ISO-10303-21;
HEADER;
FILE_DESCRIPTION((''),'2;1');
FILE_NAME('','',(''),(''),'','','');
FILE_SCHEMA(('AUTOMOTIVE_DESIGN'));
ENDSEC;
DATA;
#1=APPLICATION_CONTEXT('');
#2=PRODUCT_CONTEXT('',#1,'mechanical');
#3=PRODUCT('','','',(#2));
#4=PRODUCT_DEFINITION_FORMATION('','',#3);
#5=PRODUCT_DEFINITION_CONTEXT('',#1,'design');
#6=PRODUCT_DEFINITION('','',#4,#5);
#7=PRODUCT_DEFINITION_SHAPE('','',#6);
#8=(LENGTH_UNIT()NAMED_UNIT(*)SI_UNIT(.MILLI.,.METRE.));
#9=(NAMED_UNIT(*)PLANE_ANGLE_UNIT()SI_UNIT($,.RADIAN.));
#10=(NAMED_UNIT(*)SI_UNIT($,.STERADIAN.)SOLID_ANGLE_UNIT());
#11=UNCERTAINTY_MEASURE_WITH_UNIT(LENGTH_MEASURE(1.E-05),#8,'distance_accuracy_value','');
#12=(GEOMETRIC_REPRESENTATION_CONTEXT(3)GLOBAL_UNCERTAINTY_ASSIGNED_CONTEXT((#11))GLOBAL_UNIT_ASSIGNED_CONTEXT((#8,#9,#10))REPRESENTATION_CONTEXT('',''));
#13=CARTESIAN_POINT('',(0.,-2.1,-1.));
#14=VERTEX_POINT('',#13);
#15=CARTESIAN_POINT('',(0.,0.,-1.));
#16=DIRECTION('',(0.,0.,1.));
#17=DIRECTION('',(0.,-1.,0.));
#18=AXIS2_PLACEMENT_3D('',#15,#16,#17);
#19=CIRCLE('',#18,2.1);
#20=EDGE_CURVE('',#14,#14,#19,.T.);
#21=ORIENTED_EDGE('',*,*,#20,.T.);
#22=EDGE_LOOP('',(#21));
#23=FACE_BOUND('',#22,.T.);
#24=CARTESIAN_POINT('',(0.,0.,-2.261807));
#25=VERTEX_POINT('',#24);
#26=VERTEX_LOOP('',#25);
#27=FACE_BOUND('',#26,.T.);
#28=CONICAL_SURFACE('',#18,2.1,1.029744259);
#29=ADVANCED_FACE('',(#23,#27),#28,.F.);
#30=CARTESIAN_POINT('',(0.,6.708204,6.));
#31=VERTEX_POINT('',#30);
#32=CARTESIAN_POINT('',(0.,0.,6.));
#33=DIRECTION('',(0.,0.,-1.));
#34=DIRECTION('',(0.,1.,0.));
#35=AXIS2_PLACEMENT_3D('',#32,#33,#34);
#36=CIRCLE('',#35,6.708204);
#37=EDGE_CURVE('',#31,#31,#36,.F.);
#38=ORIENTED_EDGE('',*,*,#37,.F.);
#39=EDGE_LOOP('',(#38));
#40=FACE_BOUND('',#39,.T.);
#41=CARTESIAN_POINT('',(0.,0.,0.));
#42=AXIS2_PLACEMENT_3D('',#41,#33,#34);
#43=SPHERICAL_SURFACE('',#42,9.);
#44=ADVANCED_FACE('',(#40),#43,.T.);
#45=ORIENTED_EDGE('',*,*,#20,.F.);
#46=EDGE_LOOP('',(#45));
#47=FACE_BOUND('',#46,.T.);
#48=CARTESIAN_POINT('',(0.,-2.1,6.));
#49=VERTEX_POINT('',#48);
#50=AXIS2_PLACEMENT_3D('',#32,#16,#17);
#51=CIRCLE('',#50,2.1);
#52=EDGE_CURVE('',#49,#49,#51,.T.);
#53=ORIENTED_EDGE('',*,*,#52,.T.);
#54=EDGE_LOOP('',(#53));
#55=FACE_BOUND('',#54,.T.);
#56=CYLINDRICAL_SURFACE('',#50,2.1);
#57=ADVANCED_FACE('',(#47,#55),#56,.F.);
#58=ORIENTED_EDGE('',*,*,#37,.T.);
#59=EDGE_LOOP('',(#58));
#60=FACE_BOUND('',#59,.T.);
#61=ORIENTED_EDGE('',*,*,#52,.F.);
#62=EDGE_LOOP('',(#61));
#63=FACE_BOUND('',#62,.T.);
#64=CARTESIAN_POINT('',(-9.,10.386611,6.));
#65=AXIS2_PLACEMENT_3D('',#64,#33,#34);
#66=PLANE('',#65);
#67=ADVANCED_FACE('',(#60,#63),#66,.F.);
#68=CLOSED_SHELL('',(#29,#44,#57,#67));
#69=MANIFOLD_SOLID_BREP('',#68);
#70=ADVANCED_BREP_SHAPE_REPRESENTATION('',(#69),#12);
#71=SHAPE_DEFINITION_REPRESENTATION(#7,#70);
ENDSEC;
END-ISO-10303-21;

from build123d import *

# Parameters (mm, degrees)
CUT_EXTRUDE_1_DEPTH      = 16.588457268
CUT_EXTRUDE_1_DEPTH_BACK = 16.588457268
SKETCH_2_W               = 8.784286405
SKETCH_2_H               = 20.773221584
HOLE_WIZARD_M5_1_D       = 4.2
HOLE_WIZARD_M5_1_DEPTH   = 7
HOLE_WIZARD_M5_1_TIP     = 1.2618073


with BuildPart() as part:
    # 草图1 → 旋转1 (revolve)
    with BuildSketch(Plane(origin=(0, 0, 0), x_dir=(0, 0, -1), z_dir=(1, 0, 0))):
        with BuildLine():
            Line((0, 9), (0, -9))
            ThreePointArc((0, -9), (-9, 0), (0, 9))
        make_face()
    revolve(axis=Axis((0, 9, 0), (0, -1, 0)))

    # 草图2 → 切除-拉伸1 (cut, two sides: drawn at the far end of the back side and taken through both)
    with BuildSketch(Plane(origin=(0, 0, 0), x_dir=(0, 0, -1), z_dir=(1, 0, 0)).offset(-CUT_EXTRUDE_1_DEPTH_BACK)):
        with Locations((-10.392143203, 0)):
            Rectangle(SKETCH_2_W, SKETCH_2_H)
    extrude(amount=CUT_EXTRUDE_1_DEPTH + CUT_EXTRUDE_1_DEPTH_BACK, mode=Mode.SUBTRACT)

    # M5 螺纹孔1
    with Locations(Plane(origin=(0, 0, 6), x_dir=(0, 1, 0), z_dir=(0, 0, 1))):
        with Locations((0, 0)):
            Hole(HOLE_WIZARD_M5_1_D / 2, depth=HOLE_WIZARD_M5_1_DEPTH)
            with Locations((0, 0, -(HOLE_WIZARD_M5_1_DEPTH + HOLE_WIZARD_M5_1_TIP / 2))):  # 118° drill point
                Cone(0, HOLE_WIZARD_M5_1_D / 2, HOLE_WIZARD_M5_1_TIP, mode=Mode.SUBTRACT)


solid = part.part
